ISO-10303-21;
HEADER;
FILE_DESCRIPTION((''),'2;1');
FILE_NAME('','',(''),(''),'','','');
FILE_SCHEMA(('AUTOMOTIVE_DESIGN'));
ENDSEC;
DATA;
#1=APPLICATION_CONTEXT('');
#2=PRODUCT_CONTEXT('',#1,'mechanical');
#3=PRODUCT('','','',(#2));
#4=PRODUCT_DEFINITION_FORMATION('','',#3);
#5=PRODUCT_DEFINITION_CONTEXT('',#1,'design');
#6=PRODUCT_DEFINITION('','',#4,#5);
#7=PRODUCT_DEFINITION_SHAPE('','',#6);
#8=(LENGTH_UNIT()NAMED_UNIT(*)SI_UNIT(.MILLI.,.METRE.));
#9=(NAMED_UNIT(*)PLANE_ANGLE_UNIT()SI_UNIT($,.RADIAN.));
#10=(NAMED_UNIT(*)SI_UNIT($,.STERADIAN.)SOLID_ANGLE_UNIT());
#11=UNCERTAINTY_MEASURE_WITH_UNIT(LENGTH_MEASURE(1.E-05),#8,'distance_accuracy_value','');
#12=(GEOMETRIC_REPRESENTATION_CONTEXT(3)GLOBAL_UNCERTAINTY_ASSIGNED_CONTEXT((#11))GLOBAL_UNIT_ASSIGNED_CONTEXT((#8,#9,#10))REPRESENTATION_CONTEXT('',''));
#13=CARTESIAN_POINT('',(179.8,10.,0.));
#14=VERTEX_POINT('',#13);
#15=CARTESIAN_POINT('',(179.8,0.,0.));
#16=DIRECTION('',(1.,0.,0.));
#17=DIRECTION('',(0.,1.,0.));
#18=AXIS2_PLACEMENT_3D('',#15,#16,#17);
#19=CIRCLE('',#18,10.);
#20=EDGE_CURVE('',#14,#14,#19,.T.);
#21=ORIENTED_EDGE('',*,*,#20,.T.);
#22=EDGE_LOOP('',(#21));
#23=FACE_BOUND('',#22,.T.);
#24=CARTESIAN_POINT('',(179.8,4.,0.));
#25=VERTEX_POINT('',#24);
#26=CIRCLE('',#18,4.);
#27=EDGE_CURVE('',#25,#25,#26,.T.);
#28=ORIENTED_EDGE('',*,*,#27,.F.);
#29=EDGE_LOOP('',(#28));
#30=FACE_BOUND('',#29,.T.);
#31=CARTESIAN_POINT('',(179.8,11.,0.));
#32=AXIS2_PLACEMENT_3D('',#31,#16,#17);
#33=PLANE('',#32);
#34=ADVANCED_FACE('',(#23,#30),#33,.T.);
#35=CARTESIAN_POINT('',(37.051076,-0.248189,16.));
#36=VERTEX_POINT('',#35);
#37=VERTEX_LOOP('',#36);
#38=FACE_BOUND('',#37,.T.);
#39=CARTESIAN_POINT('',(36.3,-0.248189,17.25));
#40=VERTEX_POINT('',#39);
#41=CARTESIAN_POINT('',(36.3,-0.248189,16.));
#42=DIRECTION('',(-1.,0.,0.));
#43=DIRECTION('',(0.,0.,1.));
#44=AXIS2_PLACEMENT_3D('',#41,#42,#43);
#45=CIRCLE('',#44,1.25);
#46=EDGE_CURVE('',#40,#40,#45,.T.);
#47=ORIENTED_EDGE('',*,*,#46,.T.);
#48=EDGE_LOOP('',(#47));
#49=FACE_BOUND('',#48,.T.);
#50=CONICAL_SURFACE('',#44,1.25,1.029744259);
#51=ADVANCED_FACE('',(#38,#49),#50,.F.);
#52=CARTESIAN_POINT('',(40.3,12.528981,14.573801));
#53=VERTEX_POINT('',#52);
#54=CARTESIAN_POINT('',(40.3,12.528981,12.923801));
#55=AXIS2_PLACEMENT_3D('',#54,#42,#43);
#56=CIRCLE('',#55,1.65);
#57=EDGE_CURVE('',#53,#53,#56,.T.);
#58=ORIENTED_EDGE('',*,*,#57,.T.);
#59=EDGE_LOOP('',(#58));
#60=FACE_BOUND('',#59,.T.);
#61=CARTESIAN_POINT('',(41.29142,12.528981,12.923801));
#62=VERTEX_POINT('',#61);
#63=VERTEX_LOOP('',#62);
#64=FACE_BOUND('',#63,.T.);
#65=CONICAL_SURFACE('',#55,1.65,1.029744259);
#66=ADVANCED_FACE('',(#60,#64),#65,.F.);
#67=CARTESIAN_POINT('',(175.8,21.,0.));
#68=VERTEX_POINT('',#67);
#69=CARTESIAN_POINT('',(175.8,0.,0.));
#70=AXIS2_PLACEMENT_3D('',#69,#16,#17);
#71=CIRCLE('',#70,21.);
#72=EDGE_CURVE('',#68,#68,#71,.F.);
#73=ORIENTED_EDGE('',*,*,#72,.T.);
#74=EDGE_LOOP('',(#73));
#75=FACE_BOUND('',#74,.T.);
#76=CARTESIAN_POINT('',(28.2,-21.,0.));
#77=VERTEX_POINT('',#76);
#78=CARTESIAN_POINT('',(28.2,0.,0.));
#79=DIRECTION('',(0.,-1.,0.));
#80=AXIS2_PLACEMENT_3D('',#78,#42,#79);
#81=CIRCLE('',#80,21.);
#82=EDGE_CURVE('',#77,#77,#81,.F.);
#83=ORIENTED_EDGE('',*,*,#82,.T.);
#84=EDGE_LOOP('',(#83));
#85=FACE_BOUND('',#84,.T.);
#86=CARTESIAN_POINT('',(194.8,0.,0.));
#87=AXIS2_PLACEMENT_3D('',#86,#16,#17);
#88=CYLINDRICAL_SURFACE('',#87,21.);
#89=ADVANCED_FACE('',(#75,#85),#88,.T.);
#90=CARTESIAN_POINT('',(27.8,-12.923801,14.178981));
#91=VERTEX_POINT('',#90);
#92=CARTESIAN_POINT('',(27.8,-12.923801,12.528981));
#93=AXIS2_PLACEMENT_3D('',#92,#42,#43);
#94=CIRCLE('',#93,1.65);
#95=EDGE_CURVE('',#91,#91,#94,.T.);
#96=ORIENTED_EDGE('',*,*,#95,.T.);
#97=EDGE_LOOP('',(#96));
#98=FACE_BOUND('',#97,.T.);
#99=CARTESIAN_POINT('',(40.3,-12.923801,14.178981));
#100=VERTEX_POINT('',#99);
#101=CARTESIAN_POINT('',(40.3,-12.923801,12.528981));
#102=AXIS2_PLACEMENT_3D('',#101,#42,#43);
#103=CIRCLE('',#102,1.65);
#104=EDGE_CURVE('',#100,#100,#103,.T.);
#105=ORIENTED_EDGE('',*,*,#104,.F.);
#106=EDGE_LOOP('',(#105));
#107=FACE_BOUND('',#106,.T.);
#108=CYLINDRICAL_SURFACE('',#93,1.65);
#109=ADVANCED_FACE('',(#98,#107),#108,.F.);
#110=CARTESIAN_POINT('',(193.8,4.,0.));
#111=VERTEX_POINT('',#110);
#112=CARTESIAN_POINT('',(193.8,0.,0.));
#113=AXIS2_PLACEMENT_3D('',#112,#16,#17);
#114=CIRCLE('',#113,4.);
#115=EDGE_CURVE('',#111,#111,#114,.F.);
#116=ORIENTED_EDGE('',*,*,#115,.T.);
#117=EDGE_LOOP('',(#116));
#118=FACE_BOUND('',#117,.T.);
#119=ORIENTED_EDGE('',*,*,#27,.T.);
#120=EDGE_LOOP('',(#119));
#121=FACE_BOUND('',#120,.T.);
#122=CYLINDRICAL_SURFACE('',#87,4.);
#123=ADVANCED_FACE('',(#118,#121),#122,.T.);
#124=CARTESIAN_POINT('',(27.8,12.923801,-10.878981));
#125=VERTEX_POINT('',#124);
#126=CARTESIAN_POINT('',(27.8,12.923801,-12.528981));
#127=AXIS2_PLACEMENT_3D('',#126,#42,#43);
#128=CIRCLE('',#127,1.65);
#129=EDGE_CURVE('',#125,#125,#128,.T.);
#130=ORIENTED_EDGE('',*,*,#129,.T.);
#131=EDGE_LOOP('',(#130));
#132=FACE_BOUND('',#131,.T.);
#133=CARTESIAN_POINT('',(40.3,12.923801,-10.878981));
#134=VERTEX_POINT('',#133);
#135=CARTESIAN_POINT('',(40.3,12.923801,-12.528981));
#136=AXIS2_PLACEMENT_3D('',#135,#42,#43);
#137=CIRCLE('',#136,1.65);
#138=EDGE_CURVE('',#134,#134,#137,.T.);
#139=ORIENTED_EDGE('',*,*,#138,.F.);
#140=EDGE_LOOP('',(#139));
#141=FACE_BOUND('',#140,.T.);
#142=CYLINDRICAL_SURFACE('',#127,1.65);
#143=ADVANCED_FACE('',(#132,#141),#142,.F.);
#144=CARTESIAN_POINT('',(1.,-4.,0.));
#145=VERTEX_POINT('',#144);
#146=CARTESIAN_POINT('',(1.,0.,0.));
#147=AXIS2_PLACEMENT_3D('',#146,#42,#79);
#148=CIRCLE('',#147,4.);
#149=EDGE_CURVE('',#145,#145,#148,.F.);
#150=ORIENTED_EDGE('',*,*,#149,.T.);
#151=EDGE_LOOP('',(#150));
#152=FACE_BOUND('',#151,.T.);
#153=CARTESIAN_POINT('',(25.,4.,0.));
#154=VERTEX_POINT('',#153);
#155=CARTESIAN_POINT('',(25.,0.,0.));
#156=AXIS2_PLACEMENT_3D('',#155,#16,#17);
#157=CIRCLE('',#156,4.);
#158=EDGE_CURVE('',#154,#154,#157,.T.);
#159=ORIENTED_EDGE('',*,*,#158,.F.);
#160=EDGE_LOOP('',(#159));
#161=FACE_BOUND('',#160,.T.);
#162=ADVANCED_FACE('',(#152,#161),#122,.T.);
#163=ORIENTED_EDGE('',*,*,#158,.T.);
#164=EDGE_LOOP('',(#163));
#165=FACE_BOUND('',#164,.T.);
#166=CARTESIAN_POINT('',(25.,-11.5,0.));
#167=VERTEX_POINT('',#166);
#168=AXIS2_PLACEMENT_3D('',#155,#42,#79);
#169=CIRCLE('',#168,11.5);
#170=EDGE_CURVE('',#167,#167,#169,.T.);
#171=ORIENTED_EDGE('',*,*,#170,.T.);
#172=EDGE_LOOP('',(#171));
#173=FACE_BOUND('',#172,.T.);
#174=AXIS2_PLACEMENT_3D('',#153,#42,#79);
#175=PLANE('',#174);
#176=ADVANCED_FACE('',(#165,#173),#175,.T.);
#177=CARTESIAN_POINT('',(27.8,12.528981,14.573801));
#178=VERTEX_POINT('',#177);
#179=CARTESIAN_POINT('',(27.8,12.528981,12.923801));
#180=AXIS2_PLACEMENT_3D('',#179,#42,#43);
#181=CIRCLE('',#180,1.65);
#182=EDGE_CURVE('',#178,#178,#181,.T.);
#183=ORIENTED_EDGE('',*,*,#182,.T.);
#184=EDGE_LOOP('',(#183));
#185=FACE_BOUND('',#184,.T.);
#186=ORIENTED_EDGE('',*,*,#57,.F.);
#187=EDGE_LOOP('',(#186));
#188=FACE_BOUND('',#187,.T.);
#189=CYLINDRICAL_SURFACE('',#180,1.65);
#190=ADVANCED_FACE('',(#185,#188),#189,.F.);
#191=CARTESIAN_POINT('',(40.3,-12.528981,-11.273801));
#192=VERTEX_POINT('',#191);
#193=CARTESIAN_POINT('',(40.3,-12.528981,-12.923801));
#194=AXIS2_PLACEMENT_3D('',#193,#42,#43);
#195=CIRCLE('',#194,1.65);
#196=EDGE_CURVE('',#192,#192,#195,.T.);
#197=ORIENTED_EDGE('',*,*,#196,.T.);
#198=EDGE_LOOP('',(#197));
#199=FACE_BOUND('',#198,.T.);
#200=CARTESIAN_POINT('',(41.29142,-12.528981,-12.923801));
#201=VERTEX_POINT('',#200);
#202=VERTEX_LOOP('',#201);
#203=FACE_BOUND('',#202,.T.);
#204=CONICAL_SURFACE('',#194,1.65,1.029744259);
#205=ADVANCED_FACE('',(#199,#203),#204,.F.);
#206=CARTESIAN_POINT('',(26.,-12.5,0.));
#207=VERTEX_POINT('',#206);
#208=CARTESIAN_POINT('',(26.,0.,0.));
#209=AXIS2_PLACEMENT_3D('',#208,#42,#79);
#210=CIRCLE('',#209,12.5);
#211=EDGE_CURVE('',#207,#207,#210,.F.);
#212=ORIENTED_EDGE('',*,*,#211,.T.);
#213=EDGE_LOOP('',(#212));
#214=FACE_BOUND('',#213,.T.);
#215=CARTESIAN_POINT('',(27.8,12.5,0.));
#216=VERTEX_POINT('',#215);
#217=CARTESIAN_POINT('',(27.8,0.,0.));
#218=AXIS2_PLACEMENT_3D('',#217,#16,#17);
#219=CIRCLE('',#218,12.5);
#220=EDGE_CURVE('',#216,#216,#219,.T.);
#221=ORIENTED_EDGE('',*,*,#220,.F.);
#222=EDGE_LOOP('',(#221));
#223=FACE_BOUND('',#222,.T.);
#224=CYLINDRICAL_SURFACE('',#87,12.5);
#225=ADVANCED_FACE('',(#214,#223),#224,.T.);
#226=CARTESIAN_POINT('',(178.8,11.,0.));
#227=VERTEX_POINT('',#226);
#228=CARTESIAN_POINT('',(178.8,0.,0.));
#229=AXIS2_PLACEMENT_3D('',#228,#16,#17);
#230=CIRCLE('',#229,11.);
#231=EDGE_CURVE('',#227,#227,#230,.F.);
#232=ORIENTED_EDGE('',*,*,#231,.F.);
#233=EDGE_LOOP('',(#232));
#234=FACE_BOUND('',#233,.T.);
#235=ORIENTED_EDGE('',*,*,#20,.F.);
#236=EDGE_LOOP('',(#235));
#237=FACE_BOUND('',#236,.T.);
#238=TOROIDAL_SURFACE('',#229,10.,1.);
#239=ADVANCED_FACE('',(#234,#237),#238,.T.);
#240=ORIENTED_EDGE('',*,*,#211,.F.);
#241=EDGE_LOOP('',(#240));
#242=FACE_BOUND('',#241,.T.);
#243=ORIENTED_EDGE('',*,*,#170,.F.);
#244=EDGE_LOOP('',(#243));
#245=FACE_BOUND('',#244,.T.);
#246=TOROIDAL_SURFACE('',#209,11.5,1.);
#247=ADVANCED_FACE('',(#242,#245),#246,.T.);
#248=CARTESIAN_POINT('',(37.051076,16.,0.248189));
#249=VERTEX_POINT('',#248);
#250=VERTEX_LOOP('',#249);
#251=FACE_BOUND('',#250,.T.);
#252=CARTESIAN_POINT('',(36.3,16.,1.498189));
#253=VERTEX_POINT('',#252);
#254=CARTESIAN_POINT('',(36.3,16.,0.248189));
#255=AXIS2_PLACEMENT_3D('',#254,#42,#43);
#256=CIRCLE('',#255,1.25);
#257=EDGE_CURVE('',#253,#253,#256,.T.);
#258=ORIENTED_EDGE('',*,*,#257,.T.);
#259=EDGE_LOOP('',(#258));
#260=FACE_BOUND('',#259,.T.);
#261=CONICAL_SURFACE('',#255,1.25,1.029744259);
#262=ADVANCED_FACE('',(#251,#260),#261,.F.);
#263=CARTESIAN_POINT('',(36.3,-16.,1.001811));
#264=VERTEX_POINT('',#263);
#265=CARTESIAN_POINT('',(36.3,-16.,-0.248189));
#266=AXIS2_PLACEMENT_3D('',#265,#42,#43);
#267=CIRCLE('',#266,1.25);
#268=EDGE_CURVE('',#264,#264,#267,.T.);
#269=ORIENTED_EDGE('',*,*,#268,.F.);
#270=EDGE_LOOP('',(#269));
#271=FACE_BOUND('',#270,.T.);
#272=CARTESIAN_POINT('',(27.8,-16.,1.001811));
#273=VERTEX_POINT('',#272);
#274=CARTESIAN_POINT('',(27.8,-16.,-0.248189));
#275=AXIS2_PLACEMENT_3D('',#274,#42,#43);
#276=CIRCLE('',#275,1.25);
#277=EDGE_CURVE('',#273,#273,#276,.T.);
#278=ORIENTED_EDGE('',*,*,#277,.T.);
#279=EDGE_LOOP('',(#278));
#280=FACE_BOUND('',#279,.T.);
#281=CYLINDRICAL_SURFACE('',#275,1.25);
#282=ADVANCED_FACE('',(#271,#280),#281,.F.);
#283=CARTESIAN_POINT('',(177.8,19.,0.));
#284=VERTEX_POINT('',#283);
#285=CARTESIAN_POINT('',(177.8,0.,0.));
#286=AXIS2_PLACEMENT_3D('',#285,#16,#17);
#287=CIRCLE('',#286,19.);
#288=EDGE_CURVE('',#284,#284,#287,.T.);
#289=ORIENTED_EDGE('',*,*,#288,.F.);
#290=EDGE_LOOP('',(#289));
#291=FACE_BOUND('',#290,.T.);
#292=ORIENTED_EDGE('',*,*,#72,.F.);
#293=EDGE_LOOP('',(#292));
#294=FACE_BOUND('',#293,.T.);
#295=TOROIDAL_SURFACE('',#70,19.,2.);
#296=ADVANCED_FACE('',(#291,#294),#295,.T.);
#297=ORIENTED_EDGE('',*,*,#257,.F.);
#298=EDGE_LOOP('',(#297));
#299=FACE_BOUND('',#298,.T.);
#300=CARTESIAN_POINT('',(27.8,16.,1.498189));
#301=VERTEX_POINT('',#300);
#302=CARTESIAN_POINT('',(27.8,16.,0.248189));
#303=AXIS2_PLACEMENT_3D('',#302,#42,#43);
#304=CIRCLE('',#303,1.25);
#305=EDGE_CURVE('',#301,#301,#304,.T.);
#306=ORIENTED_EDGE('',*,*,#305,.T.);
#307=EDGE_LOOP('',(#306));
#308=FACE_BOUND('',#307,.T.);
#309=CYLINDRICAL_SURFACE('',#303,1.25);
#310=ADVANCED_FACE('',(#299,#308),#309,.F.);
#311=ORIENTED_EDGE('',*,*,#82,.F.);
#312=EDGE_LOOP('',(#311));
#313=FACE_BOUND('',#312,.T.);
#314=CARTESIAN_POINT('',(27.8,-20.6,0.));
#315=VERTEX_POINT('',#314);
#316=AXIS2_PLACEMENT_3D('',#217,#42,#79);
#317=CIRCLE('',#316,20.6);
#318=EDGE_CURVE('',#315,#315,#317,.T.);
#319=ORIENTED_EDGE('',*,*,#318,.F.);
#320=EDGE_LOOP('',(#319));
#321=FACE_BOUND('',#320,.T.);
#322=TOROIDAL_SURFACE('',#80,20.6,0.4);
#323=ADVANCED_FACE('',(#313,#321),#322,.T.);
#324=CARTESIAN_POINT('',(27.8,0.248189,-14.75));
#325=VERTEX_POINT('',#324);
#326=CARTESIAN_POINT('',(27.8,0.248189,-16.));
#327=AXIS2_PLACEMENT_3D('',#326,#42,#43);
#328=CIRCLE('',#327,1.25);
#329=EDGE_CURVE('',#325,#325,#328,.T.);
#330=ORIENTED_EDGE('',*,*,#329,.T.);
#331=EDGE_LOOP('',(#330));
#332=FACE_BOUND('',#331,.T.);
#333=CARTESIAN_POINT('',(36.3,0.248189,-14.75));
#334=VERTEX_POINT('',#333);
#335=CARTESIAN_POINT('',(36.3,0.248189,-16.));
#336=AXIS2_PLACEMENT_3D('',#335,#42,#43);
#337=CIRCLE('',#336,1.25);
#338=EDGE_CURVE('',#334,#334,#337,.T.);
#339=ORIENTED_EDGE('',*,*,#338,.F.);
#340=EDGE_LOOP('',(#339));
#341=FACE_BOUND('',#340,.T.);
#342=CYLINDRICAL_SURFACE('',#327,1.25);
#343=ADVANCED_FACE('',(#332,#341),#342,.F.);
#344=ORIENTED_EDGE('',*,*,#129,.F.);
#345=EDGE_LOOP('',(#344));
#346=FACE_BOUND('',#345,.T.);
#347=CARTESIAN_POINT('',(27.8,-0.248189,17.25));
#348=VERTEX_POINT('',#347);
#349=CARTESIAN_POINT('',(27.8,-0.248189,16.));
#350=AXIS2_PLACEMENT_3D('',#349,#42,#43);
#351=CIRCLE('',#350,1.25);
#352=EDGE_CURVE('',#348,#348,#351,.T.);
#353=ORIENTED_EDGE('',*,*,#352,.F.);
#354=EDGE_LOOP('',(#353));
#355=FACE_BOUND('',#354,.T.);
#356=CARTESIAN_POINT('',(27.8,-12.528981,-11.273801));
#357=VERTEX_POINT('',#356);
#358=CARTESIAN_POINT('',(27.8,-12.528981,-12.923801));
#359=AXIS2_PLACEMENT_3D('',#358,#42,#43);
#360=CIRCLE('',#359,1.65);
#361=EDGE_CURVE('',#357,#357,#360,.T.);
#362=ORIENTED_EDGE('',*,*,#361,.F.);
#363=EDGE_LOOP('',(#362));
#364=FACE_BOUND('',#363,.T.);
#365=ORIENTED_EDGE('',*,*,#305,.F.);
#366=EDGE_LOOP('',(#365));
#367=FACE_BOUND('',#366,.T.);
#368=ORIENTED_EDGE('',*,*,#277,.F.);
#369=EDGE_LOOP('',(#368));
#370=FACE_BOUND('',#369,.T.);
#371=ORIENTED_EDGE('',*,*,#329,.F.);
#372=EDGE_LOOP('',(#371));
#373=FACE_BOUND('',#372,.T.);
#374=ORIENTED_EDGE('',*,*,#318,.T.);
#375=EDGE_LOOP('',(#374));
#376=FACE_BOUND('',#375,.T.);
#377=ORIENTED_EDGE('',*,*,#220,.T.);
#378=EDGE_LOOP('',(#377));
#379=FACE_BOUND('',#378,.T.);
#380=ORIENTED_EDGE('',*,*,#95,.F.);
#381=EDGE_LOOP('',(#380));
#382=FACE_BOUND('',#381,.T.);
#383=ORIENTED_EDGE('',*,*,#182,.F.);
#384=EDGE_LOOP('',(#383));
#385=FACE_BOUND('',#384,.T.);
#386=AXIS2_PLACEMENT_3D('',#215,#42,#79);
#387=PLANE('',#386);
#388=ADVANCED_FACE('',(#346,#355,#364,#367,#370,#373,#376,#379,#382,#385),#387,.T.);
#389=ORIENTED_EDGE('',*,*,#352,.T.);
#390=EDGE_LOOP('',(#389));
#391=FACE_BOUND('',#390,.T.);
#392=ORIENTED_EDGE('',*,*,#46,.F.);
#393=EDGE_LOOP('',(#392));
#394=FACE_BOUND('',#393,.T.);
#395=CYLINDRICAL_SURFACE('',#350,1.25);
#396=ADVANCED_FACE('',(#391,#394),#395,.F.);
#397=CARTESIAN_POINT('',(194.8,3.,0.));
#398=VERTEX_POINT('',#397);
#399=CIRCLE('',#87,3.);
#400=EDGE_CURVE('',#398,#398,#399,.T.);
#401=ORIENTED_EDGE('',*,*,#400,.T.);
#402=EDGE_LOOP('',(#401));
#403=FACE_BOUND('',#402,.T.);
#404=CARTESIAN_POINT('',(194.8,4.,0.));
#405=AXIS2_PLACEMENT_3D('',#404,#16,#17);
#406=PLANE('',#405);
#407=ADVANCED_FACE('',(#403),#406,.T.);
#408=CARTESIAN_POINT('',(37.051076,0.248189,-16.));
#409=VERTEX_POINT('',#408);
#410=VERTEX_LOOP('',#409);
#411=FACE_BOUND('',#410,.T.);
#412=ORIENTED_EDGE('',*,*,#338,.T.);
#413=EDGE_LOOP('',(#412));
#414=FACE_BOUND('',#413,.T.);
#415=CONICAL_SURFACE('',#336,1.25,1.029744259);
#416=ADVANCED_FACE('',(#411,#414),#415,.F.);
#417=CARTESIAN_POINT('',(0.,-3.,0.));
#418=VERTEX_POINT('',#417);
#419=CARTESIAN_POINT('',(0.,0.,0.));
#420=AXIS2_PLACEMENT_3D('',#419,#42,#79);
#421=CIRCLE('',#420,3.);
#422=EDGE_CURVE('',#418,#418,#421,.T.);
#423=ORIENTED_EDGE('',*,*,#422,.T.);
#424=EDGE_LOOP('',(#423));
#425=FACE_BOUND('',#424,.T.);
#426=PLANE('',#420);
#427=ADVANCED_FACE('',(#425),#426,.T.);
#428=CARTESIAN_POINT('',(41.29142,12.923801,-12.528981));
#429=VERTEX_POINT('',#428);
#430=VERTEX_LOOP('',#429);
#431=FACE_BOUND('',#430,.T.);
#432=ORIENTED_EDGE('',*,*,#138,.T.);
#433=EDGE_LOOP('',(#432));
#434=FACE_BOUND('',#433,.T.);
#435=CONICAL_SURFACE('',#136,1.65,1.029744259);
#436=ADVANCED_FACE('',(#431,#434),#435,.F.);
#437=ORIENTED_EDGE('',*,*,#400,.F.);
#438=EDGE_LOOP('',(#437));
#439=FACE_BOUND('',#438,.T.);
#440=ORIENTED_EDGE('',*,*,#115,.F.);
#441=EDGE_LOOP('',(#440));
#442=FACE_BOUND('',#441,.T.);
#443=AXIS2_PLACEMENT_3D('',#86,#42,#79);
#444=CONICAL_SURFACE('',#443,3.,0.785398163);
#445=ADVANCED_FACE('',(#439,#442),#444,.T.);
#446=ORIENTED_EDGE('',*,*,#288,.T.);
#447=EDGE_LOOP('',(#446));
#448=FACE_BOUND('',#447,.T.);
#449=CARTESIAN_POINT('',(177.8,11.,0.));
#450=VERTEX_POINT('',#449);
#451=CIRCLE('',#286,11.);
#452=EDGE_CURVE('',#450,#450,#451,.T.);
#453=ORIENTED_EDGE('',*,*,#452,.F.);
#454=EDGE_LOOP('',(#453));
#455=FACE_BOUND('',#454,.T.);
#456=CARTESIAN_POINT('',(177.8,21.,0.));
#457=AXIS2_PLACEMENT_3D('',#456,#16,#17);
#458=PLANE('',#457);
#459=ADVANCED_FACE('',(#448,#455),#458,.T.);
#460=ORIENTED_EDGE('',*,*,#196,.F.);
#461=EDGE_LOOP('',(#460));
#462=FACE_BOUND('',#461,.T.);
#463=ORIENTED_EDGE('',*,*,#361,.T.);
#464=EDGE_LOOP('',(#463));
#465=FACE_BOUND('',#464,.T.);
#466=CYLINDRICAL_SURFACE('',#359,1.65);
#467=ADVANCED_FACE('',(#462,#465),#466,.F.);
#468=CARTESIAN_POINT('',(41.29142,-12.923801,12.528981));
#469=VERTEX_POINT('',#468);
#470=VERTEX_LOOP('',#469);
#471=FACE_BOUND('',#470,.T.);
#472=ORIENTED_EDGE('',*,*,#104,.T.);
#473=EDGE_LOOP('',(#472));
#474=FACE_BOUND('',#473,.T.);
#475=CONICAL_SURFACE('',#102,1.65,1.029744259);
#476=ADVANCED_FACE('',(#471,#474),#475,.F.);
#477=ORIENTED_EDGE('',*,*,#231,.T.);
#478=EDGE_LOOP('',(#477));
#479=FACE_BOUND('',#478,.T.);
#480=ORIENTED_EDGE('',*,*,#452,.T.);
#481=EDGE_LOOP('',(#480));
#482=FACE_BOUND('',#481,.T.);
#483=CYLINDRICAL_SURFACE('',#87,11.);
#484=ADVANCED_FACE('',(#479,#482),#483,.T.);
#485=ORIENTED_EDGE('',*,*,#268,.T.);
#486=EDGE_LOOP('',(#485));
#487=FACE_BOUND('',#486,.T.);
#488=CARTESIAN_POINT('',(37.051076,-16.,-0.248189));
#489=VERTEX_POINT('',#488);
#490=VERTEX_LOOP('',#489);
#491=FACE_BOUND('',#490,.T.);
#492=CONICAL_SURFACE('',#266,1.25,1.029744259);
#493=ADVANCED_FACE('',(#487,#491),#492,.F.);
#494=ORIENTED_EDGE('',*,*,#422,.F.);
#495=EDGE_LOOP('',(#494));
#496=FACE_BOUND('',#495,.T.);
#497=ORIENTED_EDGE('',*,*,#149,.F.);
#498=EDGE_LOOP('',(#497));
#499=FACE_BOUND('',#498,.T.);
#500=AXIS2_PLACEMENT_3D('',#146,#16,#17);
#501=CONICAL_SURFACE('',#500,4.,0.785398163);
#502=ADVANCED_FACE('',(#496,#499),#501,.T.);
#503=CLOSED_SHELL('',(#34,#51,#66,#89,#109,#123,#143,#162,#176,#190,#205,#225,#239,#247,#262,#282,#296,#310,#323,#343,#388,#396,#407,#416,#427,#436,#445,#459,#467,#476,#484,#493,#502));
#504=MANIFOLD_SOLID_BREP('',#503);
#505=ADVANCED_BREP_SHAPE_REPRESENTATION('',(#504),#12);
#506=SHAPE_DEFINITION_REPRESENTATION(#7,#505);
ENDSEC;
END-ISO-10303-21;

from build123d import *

# Parameters (mm, degrees)
CONG_3_R                     = 2
CONG_4_R                     = 1
CONG_5_R                     = 1
CHANFREIN2_SIZE              = 1
CHANFREIN3_SIZE              = 1
R_P_TITION_CIRCULAIRE1_COUNT = 4
CONG_6_R                     = 0.4
R_P_TITION_CIRCULAIRE2_COUNT = 4


with BuildPart() as part:
    # Esquisse1 → Révolution1 (revolve)
    with BuildSketch(Plane.XY):
        Polygon((0, 0), (0, 4), (25, 4), (25, 12.5), (27.8, 12.5), (27.8, 21), (177.8, 21), (177.8, 11), (179.8, 11), (179.8, 4), (194.8, 4), (194.8, 0), align=None)
    revolve(axis=Axis((194.8, 0, 0), (-1, 0, 0)))

    # Congé3
    cong_3_edges = [part.edges().sort_by_distance(p)[0] for p in [
        (177.8, -21, 0),
    ]]
    fillet(cong_3_edges, radius=CONG_3_R)

    # Congé4
    cong_4_edges = [part.edges().sort_by_distance(p)[0] for p in [
        (25, -12.5, 0),
    ]]
    fillet(cong_4_edges, radius=CONG_4_R)

    # Congé5
    cong_5_edges = [part.edges().sort_by_distance(p)[0] for p in [
        (179.8, -11, 0),
    ]]
    fillet(cong_5_edges, radius=CONG_5_R)

    # Chanfrein2
    chanfrein2_edges = [part.edges().sort_by_distance(p)[0] for p in [
        (0, -4, 0),
    ]]
    chamfer(chanfrein2_edges, length=CHANFREIN2_SIZE)

    # Chanfrein3
    chanfrein3_edges = [part.edges().sort_by_distance(p)[0] for p in [
        (194.8, -4, 0),
    ]]
    chamfer(chanfrein3_edges, length=CHANFREIN3_SIZE)

    # Esquisse6 → Trou taraudé M3x0.51 (revolve, cut)
    with BuildSketch(Plane(origin=(27.8, -0.248189437, 16), x_dir=(0, 0, 1), z_dir=(0, 1, 0))):
        Polygon((0, 0), (0, 9.251075774), (1.25, 8.5), (1.25, 0), align=None)
    trou_taraud_m3x0_51 = revolve(axis=Axis((21.45, -0.248189437, 16), (1, 0, 0)), mode=Mode.SUBTRACT)

    # Répétition circulaire1: Trou taraudé M3x0.51 ×4 about axis
    r_p_tition_circulaire1_axis = Axis((29.8, 0, 0), (1, 0, 0))
    for i in range(1, R_P_TITION_CIRCULAIRE1_COUNT):
        add(trou_taraud_m3x0_51.rotate(r_p_tition_circulaire1_axis, i * 360 / R_P_TITION_CIRCULAIRE1_COUNT), mode=Mode.SUBTRACT)

    # Congé6
    cong_6_edges = [part.edges().sort_by_distance(p)[0] for p in [
        (27.8, -21, 0),
    ]]
    fillet(cong_6_edges, radius=CONG_6_R)

    # Esquisse24 → Trou taraudé M4x0.72 (revolve, cut)
    with BuildSketch(Plane(origin=(27.8, -12.923800799, 12.52898132), x_dir=(0, 0, 1), z_dir=(0, 1, 0))):
        Polygon((0, 0), (0, 13.491420021), (1.65, 12.5), (1.65, 0), align=None)
    trou_taraud_m4x0_72 = revolve(axis=Axis((21.45, -12.923800799, 12.52898132), (1, 0, 0)), mode=Mode.SUBTRACT)

    # Répétition circulaire2: Trou taraudé M4x0.72 ×4 about axis
    r_p_tition_circulaire2_axis = Axis((29.8, 0, 0), (1, 0, 0))
    for i in range(1, R_P_TITION_CIRCULAIRE2_COUNT):
        add(trou_taraud_m4x0_72.rotate(r_p_tition_circulaire2_axis, i * 360 / R_P_TITION_CIRCULAIRE2_COUNT), mode=Mode.SUBTRACT)


solid = part.part
